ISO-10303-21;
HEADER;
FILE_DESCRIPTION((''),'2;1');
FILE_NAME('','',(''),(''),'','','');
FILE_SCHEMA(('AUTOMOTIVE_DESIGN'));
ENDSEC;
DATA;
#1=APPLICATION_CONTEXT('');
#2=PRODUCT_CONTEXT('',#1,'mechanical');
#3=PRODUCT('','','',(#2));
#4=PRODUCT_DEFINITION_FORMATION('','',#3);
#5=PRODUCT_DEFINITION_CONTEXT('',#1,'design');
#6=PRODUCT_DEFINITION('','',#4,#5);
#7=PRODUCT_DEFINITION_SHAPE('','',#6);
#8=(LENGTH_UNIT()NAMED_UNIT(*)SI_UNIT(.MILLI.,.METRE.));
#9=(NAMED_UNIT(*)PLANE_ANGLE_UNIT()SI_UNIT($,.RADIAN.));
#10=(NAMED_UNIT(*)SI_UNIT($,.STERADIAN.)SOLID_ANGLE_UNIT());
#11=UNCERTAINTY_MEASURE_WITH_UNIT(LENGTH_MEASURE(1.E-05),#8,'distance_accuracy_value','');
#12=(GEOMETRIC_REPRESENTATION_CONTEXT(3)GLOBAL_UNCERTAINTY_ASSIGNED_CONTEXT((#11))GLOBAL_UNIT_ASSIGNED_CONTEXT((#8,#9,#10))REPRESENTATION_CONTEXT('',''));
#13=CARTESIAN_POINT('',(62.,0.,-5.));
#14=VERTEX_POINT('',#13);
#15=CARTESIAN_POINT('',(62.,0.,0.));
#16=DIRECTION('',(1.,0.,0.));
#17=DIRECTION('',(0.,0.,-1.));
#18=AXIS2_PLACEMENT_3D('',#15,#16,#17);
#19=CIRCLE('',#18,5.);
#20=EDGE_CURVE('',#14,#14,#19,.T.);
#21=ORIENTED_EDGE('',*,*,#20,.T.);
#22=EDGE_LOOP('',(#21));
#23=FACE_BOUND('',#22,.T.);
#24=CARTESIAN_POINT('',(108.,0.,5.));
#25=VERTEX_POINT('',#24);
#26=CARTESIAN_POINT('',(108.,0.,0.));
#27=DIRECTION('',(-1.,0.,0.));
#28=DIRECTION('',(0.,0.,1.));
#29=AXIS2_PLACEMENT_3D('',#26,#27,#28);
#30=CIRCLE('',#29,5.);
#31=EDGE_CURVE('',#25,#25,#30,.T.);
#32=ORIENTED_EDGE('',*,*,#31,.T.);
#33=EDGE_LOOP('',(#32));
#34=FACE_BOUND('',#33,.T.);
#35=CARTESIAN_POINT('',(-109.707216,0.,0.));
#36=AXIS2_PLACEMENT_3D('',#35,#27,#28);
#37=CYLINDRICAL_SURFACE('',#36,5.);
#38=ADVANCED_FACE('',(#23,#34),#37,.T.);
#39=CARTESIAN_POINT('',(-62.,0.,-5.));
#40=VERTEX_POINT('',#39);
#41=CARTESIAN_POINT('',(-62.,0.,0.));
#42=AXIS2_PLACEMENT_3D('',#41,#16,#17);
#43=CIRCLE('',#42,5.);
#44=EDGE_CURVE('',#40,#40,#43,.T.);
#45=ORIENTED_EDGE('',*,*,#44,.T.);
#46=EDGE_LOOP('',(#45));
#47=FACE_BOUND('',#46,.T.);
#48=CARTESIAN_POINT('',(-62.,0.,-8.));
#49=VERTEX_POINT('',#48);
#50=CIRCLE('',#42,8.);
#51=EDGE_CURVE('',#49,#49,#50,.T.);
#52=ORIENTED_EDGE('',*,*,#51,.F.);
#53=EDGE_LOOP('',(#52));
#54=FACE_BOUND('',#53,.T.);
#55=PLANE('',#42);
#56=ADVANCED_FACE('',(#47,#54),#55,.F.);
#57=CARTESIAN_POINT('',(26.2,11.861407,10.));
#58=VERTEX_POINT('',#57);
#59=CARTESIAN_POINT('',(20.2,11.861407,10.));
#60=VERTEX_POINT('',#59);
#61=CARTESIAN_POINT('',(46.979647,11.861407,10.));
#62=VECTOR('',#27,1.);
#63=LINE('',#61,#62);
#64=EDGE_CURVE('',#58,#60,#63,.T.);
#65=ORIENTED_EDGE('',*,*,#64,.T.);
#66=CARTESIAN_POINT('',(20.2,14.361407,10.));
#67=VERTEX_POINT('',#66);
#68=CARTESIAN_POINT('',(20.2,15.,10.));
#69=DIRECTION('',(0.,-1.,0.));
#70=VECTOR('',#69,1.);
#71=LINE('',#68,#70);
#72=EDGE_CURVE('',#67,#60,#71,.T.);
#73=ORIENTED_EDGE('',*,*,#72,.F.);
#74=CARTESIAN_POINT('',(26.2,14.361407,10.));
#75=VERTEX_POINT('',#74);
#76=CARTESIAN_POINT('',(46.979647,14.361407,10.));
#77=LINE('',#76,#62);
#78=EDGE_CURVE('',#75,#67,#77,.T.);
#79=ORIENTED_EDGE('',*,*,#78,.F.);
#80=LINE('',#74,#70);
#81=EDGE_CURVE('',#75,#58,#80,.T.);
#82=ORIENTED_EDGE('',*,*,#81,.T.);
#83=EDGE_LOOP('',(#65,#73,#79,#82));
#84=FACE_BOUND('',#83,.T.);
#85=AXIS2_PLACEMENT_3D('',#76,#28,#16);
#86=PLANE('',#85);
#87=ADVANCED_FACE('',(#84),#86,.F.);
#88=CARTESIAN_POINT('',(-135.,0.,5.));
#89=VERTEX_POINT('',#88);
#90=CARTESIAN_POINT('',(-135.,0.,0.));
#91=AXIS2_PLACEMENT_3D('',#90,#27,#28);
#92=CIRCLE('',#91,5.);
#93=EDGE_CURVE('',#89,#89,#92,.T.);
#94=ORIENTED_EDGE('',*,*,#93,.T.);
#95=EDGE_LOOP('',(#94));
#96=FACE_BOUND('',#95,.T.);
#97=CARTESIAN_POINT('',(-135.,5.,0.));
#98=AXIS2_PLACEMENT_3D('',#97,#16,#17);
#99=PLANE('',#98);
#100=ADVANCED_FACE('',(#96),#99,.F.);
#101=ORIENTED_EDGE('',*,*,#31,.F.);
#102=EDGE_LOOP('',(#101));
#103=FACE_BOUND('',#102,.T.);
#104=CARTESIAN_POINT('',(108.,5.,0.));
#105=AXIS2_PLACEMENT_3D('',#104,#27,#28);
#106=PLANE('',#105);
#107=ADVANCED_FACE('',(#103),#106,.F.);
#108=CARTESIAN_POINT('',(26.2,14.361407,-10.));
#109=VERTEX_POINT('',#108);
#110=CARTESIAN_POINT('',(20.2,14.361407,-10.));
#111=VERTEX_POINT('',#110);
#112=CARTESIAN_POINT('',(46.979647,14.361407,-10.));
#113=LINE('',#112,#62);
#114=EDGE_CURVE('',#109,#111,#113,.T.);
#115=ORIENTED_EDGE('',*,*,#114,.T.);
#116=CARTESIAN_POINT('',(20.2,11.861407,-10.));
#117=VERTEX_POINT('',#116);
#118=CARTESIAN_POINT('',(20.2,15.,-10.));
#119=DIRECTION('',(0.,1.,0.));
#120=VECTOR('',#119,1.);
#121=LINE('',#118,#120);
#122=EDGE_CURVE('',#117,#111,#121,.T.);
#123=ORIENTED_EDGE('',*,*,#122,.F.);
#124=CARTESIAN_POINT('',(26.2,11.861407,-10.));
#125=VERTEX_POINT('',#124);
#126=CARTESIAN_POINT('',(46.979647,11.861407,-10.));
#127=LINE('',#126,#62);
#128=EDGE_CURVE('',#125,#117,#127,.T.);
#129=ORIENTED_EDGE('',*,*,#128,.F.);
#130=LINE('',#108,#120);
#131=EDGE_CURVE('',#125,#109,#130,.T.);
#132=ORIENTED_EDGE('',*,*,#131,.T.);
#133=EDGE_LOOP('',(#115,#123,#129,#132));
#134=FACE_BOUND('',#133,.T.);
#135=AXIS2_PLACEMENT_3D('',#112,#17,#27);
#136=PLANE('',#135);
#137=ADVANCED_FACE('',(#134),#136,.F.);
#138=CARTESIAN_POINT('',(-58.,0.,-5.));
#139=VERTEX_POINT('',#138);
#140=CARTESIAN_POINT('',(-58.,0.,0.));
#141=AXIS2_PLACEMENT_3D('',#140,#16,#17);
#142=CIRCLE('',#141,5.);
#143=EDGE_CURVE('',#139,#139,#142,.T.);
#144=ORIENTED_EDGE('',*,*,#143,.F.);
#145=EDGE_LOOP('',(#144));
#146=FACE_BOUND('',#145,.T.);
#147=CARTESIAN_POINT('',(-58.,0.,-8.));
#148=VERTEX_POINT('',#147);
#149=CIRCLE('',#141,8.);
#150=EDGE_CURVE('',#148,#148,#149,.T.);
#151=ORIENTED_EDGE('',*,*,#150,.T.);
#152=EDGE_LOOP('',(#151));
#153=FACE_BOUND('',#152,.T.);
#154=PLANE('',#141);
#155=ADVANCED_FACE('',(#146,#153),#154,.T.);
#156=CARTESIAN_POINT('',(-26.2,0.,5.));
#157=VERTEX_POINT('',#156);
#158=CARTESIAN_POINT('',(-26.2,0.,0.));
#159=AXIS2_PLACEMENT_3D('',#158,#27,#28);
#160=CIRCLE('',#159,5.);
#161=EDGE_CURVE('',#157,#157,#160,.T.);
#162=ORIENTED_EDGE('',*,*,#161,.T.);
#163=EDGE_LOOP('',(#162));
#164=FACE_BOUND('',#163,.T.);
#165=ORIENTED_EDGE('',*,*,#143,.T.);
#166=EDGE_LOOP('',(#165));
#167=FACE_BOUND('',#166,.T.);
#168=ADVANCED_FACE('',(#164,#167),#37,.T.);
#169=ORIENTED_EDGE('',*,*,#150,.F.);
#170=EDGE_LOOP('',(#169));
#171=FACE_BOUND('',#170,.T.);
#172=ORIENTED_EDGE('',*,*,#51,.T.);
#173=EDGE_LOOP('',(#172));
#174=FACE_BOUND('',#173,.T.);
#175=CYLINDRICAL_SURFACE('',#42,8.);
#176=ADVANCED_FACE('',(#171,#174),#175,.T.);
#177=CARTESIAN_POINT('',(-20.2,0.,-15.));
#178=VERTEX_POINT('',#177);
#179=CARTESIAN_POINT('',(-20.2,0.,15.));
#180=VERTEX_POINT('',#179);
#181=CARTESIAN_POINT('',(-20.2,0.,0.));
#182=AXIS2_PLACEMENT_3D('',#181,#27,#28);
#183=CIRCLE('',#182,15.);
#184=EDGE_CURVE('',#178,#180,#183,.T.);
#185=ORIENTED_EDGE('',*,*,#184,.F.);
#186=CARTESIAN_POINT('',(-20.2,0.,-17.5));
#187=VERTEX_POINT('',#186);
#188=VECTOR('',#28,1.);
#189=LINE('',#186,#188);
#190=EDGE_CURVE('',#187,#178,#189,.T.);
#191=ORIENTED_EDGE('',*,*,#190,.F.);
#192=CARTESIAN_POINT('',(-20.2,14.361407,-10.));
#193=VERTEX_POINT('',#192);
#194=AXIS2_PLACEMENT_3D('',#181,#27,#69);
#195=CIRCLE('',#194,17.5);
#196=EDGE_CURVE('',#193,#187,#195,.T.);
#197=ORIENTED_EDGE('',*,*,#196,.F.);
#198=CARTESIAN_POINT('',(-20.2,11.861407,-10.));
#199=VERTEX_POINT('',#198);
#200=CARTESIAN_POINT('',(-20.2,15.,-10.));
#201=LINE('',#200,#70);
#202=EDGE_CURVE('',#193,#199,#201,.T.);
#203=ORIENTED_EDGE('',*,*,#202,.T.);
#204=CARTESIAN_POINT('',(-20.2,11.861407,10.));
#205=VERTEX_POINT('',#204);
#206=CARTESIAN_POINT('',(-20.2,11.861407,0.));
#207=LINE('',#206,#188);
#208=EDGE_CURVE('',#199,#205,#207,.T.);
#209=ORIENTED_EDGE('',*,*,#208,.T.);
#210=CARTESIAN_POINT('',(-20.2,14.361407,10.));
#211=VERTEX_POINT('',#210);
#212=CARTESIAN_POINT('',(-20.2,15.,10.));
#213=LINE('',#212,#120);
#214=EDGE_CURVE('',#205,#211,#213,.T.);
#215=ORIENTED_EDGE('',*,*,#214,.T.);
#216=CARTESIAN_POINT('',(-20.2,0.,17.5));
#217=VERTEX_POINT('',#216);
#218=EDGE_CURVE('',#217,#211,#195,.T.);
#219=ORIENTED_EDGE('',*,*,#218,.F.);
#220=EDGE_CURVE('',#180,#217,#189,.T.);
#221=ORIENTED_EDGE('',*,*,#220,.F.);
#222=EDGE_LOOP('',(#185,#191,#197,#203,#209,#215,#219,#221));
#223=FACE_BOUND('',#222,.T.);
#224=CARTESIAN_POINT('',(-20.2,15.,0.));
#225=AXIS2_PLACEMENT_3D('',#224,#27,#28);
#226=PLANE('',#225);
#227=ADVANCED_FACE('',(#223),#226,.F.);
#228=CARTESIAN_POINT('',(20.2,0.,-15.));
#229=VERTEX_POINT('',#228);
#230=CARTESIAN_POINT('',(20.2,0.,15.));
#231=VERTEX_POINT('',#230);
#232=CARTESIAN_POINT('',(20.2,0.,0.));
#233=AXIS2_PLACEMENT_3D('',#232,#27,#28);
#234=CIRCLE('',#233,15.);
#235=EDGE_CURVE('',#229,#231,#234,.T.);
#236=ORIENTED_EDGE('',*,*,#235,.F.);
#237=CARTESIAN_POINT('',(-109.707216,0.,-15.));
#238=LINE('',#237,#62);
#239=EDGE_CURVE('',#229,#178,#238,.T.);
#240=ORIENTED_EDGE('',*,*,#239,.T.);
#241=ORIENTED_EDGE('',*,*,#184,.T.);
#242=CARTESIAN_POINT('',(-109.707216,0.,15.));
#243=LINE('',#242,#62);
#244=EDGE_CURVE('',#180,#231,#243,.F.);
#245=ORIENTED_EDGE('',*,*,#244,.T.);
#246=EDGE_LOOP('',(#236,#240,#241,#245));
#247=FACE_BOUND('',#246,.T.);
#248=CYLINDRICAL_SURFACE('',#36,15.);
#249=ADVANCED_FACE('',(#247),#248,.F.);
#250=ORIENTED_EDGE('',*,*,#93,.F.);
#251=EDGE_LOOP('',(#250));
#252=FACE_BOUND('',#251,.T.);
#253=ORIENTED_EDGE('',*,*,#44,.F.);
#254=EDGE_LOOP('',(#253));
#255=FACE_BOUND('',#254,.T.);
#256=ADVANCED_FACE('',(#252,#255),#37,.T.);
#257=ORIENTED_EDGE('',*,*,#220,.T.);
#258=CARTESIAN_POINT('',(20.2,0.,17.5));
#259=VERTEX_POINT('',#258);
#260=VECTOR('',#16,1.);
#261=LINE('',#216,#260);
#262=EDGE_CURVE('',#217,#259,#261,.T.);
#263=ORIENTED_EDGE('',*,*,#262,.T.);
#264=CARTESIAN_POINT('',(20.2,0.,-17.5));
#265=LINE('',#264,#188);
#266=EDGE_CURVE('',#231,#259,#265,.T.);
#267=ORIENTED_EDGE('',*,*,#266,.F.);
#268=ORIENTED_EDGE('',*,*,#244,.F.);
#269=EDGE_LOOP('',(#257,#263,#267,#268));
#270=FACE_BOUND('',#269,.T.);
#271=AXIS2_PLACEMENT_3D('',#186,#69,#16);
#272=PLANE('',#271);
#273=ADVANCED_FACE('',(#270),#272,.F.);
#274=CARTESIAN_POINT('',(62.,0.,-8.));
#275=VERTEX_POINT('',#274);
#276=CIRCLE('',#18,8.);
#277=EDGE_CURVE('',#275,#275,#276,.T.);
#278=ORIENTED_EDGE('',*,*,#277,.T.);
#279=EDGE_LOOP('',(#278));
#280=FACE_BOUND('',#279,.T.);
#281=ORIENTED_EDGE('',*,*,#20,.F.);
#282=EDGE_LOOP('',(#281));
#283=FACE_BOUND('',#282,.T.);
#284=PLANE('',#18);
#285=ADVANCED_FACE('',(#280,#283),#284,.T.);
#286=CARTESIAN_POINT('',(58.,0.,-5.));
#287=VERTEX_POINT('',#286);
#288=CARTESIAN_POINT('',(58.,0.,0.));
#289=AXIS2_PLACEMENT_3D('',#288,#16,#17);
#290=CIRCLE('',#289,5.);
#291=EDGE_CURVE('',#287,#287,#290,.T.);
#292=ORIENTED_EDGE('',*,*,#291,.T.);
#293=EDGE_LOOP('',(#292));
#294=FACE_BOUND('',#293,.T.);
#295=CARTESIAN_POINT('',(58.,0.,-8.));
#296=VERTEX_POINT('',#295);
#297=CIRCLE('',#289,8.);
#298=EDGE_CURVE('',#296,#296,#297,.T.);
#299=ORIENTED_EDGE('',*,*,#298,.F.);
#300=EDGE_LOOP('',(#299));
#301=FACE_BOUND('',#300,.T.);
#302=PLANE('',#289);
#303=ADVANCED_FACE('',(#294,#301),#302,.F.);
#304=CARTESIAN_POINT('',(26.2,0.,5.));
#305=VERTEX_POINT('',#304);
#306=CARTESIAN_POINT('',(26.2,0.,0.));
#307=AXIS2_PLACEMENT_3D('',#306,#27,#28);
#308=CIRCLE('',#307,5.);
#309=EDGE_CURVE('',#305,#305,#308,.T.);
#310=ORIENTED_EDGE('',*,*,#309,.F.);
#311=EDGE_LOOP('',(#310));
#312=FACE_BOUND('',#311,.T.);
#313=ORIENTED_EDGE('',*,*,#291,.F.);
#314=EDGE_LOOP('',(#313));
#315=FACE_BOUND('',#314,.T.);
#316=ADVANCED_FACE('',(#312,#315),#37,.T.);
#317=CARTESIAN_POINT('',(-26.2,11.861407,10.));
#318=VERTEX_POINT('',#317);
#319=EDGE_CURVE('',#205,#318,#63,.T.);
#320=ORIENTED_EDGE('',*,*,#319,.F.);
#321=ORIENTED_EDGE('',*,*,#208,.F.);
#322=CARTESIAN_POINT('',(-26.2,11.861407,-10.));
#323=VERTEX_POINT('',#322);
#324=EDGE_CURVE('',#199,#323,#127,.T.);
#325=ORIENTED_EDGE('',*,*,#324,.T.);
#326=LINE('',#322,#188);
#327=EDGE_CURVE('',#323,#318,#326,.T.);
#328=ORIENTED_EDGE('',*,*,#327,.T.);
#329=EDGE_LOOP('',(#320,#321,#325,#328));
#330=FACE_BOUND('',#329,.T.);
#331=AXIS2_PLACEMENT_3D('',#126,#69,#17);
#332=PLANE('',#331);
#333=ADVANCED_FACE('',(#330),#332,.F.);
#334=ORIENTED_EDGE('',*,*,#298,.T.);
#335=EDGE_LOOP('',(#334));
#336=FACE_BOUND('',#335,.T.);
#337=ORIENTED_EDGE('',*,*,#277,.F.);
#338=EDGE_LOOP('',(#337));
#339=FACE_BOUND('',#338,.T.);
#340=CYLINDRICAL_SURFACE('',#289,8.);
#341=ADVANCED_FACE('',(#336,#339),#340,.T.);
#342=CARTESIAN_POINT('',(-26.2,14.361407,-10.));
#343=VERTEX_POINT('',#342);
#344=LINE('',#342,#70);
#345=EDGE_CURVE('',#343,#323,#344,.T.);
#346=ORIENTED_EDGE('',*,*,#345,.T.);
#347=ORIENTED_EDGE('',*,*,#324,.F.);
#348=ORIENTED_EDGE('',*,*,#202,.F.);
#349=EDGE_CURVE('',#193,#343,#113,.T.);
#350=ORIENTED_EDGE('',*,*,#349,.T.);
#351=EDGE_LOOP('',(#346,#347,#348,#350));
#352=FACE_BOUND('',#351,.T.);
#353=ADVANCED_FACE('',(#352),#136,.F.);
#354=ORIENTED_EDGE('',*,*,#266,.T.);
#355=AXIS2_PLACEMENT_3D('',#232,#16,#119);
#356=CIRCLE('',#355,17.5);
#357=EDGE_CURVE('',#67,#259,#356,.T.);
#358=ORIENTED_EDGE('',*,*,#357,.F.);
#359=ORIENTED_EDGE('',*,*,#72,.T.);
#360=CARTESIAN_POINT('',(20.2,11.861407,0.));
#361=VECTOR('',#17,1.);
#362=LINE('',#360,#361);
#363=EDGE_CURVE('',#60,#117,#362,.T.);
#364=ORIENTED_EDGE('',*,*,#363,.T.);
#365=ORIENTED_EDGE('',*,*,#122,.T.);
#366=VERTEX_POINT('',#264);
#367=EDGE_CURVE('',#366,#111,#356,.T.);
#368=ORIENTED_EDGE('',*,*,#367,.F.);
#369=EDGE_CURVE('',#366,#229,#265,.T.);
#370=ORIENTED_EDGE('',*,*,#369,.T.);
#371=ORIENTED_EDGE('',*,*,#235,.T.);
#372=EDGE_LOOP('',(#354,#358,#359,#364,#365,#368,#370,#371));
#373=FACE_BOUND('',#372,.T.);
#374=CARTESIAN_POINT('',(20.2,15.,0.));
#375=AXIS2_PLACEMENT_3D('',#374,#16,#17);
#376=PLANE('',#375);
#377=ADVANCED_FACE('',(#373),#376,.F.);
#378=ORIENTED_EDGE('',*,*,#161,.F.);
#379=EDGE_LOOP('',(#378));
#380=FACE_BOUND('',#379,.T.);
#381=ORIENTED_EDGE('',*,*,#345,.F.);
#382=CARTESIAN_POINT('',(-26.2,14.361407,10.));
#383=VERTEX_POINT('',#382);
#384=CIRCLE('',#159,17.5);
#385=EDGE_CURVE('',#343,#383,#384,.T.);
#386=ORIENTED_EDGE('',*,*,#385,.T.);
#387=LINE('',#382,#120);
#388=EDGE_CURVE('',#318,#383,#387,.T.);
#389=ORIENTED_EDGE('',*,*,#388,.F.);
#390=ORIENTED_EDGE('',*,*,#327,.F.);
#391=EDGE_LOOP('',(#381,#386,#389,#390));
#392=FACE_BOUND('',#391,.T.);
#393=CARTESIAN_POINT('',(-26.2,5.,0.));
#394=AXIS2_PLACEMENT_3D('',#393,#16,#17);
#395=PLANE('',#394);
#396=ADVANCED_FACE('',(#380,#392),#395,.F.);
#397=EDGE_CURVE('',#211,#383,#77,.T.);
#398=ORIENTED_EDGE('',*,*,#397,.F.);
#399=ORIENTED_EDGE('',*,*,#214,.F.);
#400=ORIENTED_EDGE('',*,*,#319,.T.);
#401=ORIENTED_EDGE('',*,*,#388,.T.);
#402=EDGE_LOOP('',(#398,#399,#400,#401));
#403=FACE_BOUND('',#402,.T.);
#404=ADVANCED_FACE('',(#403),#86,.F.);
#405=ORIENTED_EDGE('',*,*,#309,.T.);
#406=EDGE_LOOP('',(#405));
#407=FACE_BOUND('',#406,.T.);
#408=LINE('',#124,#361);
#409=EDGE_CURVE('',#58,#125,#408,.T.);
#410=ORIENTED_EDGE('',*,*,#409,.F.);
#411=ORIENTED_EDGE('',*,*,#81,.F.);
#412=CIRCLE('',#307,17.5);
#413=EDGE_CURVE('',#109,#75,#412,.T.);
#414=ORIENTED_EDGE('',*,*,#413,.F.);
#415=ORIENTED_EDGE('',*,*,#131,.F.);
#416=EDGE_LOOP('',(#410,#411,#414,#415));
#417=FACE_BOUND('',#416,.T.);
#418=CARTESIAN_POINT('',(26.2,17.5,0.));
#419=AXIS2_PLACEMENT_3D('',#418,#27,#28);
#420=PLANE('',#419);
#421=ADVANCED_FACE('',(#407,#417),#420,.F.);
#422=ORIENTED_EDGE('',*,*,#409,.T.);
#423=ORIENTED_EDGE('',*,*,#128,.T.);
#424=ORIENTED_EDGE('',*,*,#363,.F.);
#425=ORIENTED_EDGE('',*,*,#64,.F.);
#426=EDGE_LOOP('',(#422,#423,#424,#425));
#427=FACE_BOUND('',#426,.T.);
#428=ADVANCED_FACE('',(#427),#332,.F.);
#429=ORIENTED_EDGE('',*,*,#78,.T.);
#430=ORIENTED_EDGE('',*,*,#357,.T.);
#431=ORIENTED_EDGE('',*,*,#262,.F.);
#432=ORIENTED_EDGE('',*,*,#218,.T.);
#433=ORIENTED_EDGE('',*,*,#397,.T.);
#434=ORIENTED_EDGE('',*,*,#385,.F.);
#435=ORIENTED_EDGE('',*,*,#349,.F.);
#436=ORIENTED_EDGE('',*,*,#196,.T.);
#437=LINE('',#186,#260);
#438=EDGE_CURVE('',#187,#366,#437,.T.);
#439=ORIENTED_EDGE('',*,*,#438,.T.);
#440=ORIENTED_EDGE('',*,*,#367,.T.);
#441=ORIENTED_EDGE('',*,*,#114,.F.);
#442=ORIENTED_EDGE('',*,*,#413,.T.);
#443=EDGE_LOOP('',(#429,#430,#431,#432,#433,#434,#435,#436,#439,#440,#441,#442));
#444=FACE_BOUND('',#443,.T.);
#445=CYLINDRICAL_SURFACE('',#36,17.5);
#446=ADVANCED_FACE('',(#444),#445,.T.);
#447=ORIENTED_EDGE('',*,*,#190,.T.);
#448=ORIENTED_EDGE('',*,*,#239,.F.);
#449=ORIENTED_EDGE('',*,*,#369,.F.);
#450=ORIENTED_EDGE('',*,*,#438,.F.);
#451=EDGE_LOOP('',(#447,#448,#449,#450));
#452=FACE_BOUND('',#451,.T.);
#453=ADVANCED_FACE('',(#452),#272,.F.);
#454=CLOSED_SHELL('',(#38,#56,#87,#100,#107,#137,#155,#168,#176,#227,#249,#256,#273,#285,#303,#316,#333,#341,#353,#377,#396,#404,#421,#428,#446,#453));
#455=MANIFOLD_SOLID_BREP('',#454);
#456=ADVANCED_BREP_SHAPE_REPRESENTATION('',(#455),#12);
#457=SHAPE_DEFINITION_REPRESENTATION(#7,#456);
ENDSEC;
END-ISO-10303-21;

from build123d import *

# Parameters (mm, degrees)
CUT_EXTRUDE1_DEPTH       = 138.249772313
CUT_EXTRUDE1_DEPTH_BACK  = 138.249772313
SKETCH3_W                = 40.4
SKETCH3_H                = 18
CUT_EXTRUDE2_REACH       = 138.463
BOSS_EXTRUDE1_DEPTH      = 2
BOSS_EXTRUDE1_DEPTH_BACK = 2
SKETCH5_R                = 8
BOSS_EXTRUDE2_DEPTH      = 2
BOSS_EXTRUDE2_DEPTH_BACK = 2
SKETCH6_R                = 8


with BuildPart() as part:
    # Sketch1 → Revolve2 (revolve)
    with BuildSketch(Plane.XY, mode=Mode.PRIVATE) as revolve2_sk:
        Polygon((-135, 5), (-26.2, 5), (-26.2, 17.5), (26.2, 17.5), (26.2, 5), (108, 5), (108, 0), (20.2, 0), (20.2, 15), (-20.2, 15), (-20.2, 0), (-135, 0), align=None)
    revolve(revolve2_sk.sketch.rotate(Axis((-109.707215801, 0, 0), (1, 0, 0)), 90), axis=Axis((-109.707215801, 0, 0), (1, 0, 0)))

    # Sketch3 → Cut-Extrude1 (cut, two sides: drawn at the far end of the back side and taken through both)
    with BuildSketch(Plane.XY.offset(-CUT_EXTRUDE1_DEPTH_BACK)):
        with Locations((0, 9)):
            Rectangle(SKETCH3_W, SKETCH3_H)
    extrude(amount=CUT_EXTRUDE1_DEPTH + CUT_EXTRUDE1_DEPTH_BACK, mode=Mode.SUBTRACT)

    # Cut-Extrude2: up to this face of the body (flat: up to its plane)
    cut_extrude2_end = Plane(part.part.faces().sort_by_distance((26.2, 0, -17.005025253))[0])
    # Sketch4 → Cut-Extrude2 (cut, up to the picked face)
    with BuildSketch(Plane.ZY.offset(26.2), mode=Mode.PRIVATE) as cut_extrude2_sk1:
        with BuildLine():
            Line((-10, 14.361406616), (-10, 11.861406616))
            Line((-10, 11.861406616), (10, 11.861406616))
            Line((10, 11.861406616), (10, 14.361406616))
            ThreePointArc((10, 14.361406616), (0, 17.5), (-10, 14.361406616))
        make_face()
    cut_extrude2_tool1 = split(extrude(cut_extrude2_sk1.sketch, amount=-CUT_EXTRUDE2_REACH, mode=Mode.PRIVATE), bisect_by=cut_extrude2_end, keep=Keep.BOTH, mode=Mode.PRIVATE)
    add(cut_extrude2_tool1.solids().sort_by(Axis((-26.2, 14.269595, 0), (1, 0, 0)))[0], mode=Mode.SUBTRACT)

    # Sketch5 → Boss-Extrude1 (add, two sides: drawn at the far end of the back side and taken through both)
    with BuildSketch(Plane(origin=(60, 0, 0), x_dir=(0, 0, -1), z_dir=(1, 0, 0)).offset(-BOSS_EXTRUDE1_DEPTH_BACK)):
        Circle(SKETCH5_R)
    extrude(amount=BOSS_EXTRUDE1_DEPTH + BOSS_EXTRUDE1_DEPTH_BACK)

    # Sketch6 → Boss-Extrude2 (add, two sides: drawn at the far end of the back side and taken through both)
    with BuildSketch(Plane(origin=(-60, 0, 0), x_dir=(0, 0, -1), z_dir=(1, 0, 0)).offset(-BOSS_EXTRUDE2_DEPTH_BACK)):
        Circle(SKETCH6_R)
    extrude(amount=BOSS_EXTRUDE2_DEPTH + BOSS_EXTRUDE2_DEPTH_BACK)


solid = part.part
